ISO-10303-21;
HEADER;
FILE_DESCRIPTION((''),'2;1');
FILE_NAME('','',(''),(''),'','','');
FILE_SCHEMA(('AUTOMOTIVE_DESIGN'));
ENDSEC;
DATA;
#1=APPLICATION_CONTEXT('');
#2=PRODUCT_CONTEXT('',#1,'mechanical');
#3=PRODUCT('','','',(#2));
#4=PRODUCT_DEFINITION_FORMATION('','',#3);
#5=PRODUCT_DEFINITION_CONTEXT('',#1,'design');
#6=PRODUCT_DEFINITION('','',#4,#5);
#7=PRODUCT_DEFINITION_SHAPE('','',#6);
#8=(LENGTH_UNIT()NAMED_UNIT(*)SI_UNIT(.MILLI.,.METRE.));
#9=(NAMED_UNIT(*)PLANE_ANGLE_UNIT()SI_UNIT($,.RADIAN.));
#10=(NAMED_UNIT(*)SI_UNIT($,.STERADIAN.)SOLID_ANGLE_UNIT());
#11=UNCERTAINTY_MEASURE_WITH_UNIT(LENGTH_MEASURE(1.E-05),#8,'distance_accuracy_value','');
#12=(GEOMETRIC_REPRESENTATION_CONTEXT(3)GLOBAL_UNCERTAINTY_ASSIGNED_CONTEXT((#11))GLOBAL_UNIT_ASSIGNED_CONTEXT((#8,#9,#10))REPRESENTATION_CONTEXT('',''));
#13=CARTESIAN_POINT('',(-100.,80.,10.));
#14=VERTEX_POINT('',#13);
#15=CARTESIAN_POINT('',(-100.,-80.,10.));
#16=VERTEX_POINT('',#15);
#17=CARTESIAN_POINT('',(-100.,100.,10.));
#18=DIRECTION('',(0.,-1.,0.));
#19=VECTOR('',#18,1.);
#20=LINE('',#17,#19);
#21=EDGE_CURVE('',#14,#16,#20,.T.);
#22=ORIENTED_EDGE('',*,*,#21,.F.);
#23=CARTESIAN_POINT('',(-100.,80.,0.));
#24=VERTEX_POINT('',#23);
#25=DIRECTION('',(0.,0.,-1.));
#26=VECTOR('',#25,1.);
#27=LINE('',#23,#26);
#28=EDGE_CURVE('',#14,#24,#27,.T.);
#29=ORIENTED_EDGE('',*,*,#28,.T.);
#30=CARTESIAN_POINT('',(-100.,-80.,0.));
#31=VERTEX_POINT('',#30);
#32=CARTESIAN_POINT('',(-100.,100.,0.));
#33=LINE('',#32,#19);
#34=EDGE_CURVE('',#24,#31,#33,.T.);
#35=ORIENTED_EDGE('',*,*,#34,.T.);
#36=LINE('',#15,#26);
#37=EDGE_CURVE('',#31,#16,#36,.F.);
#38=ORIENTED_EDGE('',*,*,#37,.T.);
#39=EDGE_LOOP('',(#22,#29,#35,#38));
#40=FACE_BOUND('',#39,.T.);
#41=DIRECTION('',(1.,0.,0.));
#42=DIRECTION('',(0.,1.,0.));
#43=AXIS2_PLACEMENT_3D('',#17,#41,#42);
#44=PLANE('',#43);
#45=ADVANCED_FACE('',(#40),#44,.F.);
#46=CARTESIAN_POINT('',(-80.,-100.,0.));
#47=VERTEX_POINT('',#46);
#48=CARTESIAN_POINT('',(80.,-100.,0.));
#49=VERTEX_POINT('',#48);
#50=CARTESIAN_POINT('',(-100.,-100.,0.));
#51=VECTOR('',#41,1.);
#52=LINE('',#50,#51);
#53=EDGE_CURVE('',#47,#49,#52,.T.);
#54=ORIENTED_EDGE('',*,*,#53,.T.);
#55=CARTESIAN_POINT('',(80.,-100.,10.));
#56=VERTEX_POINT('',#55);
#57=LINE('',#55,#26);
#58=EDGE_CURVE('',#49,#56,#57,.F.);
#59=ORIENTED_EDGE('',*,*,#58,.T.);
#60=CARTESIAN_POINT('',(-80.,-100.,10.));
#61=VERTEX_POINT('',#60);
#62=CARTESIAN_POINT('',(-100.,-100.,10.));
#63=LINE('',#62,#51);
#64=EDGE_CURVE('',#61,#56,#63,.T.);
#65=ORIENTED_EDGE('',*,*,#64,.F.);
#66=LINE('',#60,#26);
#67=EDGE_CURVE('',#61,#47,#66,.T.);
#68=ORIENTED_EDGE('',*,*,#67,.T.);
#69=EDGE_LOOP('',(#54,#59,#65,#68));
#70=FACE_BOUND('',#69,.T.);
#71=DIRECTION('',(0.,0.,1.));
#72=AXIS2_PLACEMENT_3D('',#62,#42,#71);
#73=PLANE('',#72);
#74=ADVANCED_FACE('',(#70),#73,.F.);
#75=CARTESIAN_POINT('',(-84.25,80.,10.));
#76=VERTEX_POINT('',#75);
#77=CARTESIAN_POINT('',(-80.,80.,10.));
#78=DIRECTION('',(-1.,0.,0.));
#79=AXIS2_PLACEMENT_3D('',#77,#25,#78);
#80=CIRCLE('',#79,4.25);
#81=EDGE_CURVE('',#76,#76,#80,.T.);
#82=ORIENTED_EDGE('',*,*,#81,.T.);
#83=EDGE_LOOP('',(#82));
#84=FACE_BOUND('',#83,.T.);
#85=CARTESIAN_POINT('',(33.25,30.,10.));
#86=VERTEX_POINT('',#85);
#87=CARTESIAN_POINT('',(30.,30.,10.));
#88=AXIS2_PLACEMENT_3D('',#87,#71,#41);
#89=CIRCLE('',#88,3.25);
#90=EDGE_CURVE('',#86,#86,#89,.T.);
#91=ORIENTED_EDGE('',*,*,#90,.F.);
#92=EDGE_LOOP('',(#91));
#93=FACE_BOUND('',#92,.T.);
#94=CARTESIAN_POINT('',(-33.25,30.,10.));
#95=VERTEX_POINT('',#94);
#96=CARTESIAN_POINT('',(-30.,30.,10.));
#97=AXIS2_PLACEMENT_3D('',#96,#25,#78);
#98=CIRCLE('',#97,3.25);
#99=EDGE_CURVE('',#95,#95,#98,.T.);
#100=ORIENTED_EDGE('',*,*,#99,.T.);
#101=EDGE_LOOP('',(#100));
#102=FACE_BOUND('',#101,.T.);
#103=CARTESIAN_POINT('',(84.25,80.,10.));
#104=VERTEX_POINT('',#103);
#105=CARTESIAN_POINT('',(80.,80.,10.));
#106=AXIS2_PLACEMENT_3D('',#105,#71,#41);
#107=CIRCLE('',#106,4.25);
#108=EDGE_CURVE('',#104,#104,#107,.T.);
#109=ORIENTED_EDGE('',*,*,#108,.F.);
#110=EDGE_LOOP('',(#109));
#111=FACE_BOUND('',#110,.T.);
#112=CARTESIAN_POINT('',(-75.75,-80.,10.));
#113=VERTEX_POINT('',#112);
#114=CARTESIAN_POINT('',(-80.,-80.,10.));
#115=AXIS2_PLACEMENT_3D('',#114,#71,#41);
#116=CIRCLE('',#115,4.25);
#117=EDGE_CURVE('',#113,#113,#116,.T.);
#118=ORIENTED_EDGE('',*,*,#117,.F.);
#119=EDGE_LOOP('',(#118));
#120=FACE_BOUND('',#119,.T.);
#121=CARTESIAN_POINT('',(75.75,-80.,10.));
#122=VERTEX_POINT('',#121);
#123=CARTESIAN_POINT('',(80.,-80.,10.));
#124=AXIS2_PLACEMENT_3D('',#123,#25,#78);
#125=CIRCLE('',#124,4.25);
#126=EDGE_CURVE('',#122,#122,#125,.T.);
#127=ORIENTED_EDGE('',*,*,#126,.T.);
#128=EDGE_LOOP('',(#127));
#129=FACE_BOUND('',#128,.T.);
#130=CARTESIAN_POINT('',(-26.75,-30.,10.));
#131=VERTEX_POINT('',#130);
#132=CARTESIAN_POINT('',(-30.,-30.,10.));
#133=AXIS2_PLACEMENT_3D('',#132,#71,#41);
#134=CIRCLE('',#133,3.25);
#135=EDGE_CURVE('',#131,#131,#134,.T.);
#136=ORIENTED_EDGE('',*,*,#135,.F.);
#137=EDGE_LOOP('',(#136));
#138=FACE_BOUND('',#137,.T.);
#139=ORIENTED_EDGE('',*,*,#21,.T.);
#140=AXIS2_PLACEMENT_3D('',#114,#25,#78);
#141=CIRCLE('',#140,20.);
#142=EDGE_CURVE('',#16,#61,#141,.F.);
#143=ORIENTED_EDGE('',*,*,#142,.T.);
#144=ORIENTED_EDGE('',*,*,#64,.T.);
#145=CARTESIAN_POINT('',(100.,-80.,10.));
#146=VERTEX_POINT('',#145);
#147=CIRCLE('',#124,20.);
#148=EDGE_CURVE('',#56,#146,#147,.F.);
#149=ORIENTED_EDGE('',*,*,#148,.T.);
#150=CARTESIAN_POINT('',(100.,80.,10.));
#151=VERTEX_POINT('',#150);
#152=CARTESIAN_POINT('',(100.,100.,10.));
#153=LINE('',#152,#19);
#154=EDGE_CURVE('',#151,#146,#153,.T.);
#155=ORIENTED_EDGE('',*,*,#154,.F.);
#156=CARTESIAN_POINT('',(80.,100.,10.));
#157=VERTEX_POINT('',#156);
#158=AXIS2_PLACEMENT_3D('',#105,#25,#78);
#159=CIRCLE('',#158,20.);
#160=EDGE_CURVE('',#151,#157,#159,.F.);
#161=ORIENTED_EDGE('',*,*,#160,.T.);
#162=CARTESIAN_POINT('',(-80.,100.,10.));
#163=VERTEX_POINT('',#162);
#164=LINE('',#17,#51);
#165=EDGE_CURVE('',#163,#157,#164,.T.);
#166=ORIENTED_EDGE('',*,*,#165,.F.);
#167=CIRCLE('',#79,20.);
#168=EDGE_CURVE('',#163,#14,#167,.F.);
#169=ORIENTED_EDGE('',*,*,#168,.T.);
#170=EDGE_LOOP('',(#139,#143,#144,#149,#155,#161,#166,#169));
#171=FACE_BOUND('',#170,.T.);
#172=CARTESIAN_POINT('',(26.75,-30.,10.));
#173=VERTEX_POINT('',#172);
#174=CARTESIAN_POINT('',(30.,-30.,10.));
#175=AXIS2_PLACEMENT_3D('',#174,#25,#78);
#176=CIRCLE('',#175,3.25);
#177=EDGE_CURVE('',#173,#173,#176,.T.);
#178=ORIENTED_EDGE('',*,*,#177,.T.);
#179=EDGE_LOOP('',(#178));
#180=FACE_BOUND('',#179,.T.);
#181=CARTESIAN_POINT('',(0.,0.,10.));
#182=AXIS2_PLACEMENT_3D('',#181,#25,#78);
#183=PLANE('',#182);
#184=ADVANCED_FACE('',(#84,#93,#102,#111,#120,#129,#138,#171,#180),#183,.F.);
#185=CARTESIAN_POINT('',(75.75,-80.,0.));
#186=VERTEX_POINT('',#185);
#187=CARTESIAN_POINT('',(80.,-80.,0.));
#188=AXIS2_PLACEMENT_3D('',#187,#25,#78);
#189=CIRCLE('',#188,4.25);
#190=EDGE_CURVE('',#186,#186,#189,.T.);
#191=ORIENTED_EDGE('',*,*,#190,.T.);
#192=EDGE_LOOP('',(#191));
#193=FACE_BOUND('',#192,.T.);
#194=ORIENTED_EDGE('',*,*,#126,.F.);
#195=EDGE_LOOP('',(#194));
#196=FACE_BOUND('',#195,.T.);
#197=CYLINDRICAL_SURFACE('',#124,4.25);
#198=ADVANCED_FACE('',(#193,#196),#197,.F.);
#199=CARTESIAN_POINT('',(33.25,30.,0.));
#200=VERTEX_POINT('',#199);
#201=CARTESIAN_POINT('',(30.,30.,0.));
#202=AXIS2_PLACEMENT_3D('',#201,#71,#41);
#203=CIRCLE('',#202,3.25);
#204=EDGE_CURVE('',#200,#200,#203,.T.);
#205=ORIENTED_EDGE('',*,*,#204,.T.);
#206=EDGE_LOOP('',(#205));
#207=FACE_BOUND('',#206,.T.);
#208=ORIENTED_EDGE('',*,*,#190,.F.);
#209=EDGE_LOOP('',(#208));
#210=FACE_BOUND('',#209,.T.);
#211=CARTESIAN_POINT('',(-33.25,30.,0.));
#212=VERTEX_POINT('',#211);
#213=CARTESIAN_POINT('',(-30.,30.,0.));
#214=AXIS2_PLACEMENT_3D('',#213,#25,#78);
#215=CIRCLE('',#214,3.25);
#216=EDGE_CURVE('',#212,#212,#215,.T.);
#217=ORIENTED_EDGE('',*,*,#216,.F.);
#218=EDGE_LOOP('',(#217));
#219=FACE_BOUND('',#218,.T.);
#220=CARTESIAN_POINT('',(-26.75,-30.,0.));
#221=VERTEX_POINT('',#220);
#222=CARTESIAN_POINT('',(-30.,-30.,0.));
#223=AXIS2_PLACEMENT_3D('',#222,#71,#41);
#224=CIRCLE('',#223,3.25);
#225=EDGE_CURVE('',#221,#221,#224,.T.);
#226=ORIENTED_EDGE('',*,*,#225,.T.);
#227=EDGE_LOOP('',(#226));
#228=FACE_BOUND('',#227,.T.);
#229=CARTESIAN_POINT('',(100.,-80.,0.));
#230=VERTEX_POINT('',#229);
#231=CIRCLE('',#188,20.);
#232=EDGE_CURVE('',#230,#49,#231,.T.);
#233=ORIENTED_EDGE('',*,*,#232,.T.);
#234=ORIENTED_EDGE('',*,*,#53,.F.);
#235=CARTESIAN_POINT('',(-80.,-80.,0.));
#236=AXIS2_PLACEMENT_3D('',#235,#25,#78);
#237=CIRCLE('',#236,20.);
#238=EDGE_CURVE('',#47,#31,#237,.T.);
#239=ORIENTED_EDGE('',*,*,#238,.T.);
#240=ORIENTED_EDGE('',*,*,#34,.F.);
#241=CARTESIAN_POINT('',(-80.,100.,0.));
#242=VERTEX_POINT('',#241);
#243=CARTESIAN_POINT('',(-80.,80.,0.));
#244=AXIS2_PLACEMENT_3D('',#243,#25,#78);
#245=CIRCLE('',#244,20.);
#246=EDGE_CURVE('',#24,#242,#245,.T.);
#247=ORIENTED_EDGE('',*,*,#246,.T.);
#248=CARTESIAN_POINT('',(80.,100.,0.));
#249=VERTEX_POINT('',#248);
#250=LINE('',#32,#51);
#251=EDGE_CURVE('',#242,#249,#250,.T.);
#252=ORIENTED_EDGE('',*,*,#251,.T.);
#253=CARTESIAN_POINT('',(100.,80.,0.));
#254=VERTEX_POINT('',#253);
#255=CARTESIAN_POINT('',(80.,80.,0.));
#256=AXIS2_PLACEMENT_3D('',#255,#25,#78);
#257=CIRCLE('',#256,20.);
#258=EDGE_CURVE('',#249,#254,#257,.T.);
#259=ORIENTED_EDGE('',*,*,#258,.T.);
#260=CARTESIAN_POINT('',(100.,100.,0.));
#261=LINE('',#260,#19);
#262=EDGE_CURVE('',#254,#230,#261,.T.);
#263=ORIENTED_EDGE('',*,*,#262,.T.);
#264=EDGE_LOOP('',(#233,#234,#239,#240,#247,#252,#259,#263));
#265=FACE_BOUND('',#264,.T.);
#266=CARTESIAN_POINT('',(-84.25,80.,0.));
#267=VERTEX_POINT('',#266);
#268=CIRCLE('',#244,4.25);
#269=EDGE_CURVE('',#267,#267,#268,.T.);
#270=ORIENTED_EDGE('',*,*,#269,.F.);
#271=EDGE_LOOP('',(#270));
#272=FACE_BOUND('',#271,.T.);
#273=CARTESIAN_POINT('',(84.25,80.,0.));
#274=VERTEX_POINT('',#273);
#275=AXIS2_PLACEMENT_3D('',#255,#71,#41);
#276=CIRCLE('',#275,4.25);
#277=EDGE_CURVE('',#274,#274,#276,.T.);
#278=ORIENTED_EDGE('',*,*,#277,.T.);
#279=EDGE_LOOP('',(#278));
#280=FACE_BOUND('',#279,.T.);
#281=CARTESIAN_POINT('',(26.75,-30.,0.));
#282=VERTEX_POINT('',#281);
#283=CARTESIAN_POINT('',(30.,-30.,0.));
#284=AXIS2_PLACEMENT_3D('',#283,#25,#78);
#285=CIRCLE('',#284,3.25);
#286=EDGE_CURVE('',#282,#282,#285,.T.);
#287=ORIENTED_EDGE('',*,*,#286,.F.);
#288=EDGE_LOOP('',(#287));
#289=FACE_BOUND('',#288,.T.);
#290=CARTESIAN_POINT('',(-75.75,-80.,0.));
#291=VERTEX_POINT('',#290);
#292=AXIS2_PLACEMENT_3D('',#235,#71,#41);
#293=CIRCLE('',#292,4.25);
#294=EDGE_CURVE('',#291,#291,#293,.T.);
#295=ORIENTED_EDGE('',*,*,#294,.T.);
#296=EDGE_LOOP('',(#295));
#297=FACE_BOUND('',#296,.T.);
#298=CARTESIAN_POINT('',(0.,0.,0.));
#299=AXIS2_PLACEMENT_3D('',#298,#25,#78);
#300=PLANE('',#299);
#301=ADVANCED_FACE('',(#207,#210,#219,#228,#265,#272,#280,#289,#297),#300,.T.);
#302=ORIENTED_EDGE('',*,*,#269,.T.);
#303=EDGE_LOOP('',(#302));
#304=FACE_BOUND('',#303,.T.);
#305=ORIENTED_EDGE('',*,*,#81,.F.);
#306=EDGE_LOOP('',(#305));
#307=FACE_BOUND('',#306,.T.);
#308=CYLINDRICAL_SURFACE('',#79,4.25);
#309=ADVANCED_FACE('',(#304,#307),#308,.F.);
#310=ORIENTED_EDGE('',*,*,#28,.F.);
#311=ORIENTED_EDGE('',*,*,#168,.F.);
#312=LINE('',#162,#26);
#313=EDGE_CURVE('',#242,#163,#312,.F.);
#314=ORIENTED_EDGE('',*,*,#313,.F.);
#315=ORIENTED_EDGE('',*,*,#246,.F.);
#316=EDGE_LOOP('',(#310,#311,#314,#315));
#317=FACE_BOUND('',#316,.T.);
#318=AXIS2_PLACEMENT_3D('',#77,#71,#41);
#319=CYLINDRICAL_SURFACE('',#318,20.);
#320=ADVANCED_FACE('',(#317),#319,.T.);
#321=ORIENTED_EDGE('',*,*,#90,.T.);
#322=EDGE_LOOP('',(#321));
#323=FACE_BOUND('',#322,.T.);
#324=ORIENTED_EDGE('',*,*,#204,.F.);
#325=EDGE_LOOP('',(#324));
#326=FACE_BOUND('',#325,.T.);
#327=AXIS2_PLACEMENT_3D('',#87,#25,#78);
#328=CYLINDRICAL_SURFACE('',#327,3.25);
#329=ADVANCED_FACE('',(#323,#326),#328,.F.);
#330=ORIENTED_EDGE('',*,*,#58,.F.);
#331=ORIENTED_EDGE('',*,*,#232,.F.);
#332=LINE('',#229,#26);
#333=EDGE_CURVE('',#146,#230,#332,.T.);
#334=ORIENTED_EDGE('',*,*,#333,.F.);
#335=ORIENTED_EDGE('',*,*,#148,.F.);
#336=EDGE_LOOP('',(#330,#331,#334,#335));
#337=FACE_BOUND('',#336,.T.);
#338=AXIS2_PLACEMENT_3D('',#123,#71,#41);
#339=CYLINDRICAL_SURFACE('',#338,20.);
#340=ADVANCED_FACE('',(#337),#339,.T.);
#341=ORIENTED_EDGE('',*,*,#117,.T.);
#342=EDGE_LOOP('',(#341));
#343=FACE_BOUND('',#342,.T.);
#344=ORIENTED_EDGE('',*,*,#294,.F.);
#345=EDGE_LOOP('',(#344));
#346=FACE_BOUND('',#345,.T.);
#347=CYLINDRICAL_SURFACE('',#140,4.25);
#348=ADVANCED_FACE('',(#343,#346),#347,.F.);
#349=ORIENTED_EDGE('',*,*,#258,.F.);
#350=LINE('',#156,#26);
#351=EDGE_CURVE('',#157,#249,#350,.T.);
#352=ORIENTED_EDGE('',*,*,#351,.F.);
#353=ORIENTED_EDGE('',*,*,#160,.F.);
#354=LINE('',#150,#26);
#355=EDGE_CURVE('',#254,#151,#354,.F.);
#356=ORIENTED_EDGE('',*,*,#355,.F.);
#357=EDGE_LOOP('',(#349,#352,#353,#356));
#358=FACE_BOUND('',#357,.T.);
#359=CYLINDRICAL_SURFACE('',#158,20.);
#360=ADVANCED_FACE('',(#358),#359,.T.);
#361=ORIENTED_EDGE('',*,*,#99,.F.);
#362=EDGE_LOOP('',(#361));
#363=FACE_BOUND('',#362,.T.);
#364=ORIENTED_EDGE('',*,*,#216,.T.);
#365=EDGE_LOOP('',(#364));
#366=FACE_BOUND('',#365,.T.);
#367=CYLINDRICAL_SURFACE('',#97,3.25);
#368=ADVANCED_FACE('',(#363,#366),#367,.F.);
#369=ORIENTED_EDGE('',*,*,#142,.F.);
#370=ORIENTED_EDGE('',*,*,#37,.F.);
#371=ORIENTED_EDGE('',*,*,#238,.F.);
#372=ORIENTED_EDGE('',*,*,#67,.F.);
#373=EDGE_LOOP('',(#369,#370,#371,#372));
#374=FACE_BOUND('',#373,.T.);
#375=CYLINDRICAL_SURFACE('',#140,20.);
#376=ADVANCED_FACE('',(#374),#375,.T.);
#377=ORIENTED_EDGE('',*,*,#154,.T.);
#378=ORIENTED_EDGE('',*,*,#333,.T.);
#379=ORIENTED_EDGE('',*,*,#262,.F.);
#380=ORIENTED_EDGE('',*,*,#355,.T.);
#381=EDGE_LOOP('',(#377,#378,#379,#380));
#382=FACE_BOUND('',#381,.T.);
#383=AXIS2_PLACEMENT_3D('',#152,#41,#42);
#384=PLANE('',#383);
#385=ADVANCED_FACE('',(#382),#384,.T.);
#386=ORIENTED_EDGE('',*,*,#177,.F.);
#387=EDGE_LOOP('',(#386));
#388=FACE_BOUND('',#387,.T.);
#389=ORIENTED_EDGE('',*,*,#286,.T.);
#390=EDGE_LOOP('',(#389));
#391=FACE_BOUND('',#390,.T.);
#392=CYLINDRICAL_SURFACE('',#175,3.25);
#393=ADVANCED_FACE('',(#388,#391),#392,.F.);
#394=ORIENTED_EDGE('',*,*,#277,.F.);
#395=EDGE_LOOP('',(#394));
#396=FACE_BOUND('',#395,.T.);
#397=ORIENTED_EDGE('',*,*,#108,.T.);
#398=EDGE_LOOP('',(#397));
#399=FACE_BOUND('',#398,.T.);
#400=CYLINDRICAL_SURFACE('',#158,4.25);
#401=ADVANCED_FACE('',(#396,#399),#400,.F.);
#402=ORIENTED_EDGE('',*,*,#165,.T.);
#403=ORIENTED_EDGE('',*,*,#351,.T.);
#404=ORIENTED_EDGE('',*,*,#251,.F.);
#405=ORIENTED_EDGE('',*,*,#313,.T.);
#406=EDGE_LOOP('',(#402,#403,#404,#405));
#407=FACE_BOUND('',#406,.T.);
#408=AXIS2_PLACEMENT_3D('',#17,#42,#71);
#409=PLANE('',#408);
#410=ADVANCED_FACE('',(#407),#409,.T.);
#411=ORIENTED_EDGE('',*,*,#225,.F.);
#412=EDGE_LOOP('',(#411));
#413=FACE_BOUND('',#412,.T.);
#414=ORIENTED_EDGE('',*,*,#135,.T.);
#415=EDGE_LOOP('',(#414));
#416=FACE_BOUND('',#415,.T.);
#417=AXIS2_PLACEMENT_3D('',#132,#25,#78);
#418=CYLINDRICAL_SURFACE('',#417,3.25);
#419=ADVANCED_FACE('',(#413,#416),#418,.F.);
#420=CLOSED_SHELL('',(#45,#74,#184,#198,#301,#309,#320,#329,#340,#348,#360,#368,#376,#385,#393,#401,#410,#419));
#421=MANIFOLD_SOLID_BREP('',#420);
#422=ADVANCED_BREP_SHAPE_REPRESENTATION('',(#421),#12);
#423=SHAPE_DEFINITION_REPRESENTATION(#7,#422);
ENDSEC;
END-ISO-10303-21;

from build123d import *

# Parameters (mm, degrees)
SKETCH_1_W      = 200
SKETCH_1_H      = 200
SKETCH_1_R      = 3.25
SKETCH_1_R_2    = 4.25
EXTRUDE_1_DEPTH = 10
FILLET_1_R      = 20


with BuildPart() as part:
    # 草图1 → 凸台-拉伸1 (new body)
    with BuildSketch(Plane.XY):
        Rectangle(SKETCH_1_W, SKETCH_1_H)
        with Locations((30, 30)):
            Circle(SKETCH_1_R, mode=Mode.SUBTRACT)
        with Locations(Location((30, -30, 0), (0, 0, 180))):
            Circle(SKETCH_1_R, mode=Mode.SUBTRACT)
        with Locations(Location((-30, 30, 0), (0, 0, 180))):
            Circle(SKETCH_1_R, mode=Mode.SUBTRACT)
        with Locations((-30, -30)):
            Circle(SKETCH_1_R, mode=Mode.SUBTRACT)
        with Locations((80, 80)):
            Circle(SKETCH_1_R_2, mode=Mode.SUBTRACT)
        with Locations(Location((80, -80, 0), (0, 0, 180))):
            Circle(SKETCH_1_R_2, mode=Mode.SUBTRACT)
        with Locations((-80, -80)):
            Circle(SKETCH_1_R_2, mode=Mode.SUBTRACT)
        with Locations(Location((-80, 80, 0), (0, 0, 180))):
            Circle(SKETCH_1_R_2, mode=Mode.SUBTRACT)
    extrude(amount=EXTRUDE_1_DEPTH)

    # 圆角1
    fillet_1_edges = [part.edges().sort_by_distance(p)[0] for p in [
        (-100, 100, 5),
        (-100, -100, 5),
        (100, -100, 5),
        (100, 100, 5),
    ]]
    fillet(fillet_1_edges, radius=FILLET_1_R)


solid = part.part
